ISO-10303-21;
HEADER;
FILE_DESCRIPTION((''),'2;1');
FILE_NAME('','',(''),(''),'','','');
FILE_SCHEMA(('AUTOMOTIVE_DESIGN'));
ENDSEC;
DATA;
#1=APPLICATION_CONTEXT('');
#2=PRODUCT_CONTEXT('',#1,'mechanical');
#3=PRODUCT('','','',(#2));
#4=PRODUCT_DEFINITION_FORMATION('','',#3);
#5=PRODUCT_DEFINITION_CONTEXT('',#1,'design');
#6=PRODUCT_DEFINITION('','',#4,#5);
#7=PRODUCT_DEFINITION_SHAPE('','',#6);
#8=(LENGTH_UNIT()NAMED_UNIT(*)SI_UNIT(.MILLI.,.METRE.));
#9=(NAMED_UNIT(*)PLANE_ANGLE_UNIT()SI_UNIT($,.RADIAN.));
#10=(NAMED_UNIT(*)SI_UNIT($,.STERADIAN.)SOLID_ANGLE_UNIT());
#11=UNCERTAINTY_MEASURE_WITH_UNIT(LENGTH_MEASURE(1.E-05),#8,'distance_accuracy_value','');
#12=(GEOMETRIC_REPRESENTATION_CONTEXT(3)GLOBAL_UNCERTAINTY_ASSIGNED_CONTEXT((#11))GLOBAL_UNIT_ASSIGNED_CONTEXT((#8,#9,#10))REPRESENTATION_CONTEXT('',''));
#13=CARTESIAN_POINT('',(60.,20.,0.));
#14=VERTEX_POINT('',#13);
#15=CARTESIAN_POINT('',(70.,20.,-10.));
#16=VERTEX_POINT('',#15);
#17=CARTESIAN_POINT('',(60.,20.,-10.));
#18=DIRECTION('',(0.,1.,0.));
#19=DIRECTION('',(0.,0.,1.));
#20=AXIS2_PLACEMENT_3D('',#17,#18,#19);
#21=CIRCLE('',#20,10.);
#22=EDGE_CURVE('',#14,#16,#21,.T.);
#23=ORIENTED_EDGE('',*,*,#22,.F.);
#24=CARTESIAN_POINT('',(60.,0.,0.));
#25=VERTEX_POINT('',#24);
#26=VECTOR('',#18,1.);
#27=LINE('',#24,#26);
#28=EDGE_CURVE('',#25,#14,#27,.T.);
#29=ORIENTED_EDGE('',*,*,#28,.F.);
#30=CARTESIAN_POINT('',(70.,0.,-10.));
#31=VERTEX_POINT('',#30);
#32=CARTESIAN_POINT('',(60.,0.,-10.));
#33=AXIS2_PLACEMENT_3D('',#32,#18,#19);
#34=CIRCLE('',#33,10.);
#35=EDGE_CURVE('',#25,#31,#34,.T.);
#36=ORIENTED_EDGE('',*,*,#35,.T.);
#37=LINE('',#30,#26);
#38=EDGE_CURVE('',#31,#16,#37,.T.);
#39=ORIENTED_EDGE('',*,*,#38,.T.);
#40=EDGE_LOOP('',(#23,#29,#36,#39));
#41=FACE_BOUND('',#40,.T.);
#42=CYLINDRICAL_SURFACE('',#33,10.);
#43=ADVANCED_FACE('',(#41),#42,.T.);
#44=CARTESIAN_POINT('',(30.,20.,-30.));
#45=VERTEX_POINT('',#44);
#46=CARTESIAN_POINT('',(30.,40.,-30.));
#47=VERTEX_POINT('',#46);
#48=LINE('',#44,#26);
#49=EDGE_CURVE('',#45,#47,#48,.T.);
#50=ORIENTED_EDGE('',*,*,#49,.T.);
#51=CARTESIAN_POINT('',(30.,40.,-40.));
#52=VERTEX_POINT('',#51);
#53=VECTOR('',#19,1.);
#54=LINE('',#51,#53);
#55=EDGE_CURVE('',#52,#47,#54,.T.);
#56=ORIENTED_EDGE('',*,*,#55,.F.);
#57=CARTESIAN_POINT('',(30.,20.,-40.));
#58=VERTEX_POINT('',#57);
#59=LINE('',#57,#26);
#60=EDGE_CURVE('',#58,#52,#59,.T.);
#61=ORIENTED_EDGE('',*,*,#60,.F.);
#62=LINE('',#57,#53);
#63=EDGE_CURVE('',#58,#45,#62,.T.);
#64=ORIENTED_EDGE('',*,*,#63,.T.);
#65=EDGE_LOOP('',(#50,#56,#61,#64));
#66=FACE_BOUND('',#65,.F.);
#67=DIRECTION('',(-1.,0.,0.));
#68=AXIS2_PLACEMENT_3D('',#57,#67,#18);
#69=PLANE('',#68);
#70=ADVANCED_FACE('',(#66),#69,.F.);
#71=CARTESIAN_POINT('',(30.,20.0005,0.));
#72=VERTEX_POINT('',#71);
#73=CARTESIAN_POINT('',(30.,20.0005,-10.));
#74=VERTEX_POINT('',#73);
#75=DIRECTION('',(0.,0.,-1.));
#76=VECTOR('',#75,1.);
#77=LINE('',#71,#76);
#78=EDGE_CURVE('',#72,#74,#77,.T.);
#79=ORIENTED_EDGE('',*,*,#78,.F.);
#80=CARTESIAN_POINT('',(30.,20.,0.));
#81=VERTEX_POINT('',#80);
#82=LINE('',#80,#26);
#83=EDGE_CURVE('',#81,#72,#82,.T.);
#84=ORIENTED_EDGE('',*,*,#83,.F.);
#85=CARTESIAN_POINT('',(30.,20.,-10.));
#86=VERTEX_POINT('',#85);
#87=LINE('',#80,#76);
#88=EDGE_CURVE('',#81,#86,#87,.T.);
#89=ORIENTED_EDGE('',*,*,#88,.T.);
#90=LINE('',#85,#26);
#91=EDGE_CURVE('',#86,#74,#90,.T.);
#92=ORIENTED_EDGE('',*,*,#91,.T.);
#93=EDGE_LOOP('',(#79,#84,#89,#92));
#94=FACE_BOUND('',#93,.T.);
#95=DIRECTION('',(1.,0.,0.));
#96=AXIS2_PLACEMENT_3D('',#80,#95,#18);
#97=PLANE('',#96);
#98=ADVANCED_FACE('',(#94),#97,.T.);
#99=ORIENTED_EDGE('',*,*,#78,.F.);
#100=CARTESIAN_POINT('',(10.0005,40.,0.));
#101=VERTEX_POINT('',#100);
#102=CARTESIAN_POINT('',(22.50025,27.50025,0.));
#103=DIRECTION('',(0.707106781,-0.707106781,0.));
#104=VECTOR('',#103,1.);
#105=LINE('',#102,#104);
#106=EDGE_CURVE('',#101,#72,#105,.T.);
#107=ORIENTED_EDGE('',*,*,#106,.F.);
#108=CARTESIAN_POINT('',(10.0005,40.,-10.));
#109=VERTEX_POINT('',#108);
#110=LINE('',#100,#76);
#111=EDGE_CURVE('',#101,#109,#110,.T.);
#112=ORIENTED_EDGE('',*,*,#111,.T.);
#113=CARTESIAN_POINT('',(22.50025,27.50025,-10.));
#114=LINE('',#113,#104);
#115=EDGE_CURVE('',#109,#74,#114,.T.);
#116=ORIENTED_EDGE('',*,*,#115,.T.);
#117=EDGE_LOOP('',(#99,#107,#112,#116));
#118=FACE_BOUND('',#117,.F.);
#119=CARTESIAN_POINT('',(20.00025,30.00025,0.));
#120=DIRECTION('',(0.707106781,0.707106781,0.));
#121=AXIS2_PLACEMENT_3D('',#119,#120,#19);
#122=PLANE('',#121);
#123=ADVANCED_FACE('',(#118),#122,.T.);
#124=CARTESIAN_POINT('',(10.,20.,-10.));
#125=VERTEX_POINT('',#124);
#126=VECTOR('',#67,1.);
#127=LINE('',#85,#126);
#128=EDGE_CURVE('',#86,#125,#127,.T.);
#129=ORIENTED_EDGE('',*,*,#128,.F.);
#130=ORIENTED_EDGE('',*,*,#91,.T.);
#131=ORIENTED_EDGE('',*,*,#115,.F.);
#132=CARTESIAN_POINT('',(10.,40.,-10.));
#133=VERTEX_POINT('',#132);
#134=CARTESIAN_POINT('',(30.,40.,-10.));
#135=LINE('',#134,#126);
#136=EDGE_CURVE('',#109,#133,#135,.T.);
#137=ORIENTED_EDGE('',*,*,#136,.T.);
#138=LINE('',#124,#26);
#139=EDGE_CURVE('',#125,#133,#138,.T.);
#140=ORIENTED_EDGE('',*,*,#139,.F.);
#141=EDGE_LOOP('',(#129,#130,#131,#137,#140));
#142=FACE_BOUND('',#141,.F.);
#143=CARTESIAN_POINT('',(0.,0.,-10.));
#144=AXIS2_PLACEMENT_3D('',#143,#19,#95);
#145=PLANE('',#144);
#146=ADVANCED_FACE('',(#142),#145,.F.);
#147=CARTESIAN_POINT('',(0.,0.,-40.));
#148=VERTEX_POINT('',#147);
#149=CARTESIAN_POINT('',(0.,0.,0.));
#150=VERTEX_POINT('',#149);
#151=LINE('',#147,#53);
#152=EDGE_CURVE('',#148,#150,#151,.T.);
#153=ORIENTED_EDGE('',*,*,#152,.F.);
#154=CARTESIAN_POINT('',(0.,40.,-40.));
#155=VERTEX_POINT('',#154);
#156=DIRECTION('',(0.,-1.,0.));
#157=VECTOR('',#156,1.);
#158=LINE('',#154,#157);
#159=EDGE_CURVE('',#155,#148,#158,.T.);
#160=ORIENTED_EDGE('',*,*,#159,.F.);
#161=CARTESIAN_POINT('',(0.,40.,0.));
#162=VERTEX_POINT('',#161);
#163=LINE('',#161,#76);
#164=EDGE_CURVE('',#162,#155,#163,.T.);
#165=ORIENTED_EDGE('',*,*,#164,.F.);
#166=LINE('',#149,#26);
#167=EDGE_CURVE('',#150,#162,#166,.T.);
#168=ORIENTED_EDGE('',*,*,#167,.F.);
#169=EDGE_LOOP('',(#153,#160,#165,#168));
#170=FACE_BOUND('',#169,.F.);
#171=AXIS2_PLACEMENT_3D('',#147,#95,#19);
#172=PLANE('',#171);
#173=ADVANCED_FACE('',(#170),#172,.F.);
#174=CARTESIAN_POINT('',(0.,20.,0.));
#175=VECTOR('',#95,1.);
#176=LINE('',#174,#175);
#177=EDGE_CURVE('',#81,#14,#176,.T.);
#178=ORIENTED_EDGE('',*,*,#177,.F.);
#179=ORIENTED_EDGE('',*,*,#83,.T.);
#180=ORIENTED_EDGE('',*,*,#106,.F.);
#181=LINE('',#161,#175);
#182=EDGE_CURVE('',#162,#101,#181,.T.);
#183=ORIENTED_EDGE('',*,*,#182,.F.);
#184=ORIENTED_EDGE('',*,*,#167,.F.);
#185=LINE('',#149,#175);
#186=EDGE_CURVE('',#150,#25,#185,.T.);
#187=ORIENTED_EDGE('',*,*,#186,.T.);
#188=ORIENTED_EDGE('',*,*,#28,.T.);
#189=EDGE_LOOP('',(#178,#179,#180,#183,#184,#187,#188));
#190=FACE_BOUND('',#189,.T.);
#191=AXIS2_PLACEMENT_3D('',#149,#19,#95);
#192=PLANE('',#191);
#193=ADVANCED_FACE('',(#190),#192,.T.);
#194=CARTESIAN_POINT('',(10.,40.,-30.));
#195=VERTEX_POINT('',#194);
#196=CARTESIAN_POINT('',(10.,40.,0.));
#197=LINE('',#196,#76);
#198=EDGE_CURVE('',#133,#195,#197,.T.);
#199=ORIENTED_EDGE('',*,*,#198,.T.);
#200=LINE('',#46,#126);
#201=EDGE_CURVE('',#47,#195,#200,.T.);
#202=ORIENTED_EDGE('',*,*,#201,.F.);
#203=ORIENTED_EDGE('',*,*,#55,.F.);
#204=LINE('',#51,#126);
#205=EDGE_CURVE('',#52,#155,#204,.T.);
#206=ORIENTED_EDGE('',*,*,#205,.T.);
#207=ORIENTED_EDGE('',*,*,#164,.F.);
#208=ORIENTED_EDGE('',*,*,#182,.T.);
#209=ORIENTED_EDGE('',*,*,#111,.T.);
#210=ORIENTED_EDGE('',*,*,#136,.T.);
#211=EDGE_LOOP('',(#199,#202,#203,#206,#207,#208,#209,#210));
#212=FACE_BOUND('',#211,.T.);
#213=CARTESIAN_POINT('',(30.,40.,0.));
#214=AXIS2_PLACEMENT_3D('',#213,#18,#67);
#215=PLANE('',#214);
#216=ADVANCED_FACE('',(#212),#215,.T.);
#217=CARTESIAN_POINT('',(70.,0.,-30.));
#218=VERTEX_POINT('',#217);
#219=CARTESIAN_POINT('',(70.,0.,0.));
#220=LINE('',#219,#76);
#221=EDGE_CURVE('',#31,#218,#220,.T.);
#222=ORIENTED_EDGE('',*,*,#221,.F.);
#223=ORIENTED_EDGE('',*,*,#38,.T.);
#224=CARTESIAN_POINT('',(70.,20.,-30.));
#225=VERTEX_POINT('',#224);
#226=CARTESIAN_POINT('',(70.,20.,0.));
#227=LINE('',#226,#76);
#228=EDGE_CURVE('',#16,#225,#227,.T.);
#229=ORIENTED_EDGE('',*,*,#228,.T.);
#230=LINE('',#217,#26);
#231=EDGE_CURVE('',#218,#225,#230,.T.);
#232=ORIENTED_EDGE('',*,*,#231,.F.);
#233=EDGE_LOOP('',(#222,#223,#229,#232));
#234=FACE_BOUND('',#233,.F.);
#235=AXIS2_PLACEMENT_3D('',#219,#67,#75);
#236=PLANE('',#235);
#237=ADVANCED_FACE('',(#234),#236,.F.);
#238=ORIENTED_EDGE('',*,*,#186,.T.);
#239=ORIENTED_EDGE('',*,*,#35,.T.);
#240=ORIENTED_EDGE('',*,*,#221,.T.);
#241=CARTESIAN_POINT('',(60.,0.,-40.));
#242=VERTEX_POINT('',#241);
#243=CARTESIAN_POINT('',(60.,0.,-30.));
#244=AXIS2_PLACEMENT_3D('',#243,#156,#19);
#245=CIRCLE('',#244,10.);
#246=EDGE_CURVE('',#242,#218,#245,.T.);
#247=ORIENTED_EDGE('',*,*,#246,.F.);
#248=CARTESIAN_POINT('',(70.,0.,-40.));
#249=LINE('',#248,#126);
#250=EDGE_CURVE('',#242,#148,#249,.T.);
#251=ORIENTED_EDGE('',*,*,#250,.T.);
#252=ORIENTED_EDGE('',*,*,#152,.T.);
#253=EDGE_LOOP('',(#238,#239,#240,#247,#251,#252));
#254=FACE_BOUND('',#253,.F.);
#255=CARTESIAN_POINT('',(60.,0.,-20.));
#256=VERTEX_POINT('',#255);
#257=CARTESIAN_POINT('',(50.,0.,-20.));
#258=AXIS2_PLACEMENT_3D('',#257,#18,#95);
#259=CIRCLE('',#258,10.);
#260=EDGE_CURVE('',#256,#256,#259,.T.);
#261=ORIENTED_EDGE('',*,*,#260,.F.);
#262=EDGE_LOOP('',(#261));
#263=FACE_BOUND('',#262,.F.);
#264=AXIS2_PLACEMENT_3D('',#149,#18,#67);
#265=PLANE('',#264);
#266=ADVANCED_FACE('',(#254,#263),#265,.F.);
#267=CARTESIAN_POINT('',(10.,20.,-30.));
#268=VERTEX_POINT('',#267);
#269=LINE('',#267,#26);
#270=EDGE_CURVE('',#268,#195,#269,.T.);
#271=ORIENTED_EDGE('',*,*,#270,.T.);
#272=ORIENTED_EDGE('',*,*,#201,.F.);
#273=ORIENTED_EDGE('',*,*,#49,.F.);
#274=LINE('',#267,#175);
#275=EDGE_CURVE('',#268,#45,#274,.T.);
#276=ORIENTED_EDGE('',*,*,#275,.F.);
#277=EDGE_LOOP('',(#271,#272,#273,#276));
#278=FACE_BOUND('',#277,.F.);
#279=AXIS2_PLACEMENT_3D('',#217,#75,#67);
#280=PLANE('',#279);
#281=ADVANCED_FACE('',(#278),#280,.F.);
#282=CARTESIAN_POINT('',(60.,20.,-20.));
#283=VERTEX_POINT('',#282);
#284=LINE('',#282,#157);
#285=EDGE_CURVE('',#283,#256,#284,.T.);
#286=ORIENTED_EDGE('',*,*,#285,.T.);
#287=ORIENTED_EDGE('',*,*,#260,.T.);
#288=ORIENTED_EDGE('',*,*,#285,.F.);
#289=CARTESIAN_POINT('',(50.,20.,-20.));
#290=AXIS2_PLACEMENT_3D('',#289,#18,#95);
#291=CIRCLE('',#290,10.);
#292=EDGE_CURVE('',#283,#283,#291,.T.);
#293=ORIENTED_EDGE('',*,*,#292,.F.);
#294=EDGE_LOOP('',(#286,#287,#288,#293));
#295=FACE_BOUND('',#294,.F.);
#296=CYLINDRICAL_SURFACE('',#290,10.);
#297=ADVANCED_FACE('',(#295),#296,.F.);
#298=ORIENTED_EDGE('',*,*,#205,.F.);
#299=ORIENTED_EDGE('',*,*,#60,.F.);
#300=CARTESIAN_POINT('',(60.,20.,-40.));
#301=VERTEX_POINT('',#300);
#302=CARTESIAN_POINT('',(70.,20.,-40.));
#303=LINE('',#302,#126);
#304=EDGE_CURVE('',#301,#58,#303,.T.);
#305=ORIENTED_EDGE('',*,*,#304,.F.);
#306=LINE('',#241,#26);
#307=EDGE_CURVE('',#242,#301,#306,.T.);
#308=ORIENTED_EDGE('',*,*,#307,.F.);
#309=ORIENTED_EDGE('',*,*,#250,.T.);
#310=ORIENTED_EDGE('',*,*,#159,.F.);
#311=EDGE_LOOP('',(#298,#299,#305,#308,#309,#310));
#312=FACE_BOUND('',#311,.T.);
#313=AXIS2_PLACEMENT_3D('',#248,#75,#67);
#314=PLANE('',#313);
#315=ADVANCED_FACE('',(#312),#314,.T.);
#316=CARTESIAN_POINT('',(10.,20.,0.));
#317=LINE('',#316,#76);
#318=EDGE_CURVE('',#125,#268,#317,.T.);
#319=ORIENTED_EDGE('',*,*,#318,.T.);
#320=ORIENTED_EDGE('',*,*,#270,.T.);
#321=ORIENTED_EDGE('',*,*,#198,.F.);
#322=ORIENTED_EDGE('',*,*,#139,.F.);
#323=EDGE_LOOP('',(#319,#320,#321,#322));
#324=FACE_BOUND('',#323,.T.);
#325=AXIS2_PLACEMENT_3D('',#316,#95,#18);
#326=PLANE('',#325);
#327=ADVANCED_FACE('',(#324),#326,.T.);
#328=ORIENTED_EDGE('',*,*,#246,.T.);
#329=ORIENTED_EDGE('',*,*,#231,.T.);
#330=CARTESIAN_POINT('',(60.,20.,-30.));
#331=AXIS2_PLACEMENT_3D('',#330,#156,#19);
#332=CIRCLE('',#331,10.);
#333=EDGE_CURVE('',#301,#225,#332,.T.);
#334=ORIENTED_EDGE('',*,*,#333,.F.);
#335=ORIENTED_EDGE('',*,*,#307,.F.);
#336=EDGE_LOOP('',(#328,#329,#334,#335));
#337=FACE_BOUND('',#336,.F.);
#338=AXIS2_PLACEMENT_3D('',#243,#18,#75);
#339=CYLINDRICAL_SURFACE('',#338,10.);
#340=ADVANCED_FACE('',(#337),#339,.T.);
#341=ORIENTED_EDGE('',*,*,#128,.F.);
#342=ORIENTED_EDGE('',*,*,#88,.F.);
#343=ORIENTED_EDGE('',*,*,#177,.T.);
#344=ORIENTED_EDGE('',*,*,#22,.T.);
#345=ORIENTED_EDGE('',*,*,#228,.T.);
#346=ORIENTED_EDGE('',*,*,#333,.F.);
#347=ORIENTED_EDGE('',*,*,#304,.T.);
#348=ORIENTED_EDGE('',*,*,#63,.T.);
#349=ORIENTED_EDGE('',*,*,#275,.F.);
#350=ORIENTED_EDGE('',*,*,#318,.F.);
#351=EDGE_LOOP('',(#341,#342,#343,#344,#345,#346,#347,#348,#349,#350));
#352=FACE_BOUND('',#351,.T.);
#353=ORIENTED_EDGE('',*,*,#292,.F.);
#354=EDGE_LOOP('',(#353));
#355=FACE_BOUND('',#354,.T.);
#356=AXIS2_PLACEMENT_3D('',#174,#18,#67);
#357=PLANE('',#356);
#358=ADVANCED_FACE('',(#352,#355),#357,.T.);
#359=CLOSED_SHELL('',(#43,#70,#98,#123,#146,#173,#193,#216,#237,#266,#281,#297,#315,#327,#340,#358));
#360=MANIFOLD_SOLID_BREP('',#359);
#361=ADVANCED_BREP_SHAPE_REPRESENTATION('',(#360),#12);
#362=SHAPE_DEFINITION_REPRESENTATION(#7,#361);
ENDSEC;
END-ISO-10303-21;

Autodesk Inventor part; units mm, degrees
ref_plane "YZ Plane" through (0, 0, 0) normal (1, 0, 0) x (0, 1, 0)
ref_plane "XZ Plane" through (0, 0, 0) normal (0, 1, 0) x (-1, 0, 0)
ref_plane "XY Plane" through (0, 0, 0) normal (0, 0, 1) x (1, 0, 0)
sketch "草圖1" plane through (0, 0, 0) normal (0, 1, 0) x (-1, 0, 0)
  line L0 (0, 0) -> (-70, 0)
  line L1 (-70, 0) -> (-70, -40)
  line L2 (-70, -40) -> (0, -40)
  line L3 (0, -40) -> (0, 0)
  dimension "d0" = 40
  dimension "d1" = 70
extrude "擠出1" add sketch "草圖1" along normal blind 20
sketch "草圖2" plane through (0, 0, 0) normal (0, 0, 1) x (1, 0, 0)
  line L0 (0, 20) -> (70, 20) projected
  line L1 (0, 20) -> (10, 20)
  line L2 (10, 20) -> (10, 40)
  line L3 (10, 40) -> (0, 40)
  line L4 (0, 40) -> (0, 20)
  point P0 (0, 0)
  dimension "d4" = 10
  dimension "d5" = 20
extrude "擠出2" add sketch "草圖2" against normal up to surface (40 mm away)
sketch "草圖3" plane through (70, 0, -40) normal (0, 0, -1) x (-1, 0, 0)
  line L0 (60, 20) -> (60, 40) projected
  line L1 (60, 20) -> (40, 20)
  line L2 (40, 20) -> (40, 40)
  line L3 (40, 40) -> (60, 40)
  line L4 (60, 40) -> (60, 20)
  point P0 (70, 0)
  dimension "d8" = 20
  dimension "d9" = 20
extrude "擠出3" add sketch "草圖3" against normal blind 10
sketch "草圖4" plane through (0, 0, 0) normal (0, 0, 1) x (1, 0, 0)
  line L0 (30, 20) -> (10, 20) projected
  line L1 (30, 20) -> (30, 40) projected
  line L2 (30, 40) -> (10, 40) projected
  line L3 (10, 20) -> (10, 40) projected
  point P0 (0, 0)
extrude "擠出4" add sketch "草圖4" against normal blind 10
chamfer "倒角1" distance 20 angle 45 1 edges at (30, 40, -5)
fillet "圓角1" radius 10 2 edges at (70, 10, 0) (70, 10, -40)
sketch "草圖5" plane through (0, 20, 0) normal (0, 1, 0) x (1, 0, 0)
  circle A0 centre (50, 20) radius 10
  line L0 (30, 0) -> (60, 0) projected
  line L1 (70, 10) -> (70, 30) projected
  point P0 (0, 0)
  dimension "d18" = 20
  dimension "d19" = 20
  dimension "d20" = 20
extrude "擠出5" cut sketch "草圖5" against normal through all
properties part number "2"
